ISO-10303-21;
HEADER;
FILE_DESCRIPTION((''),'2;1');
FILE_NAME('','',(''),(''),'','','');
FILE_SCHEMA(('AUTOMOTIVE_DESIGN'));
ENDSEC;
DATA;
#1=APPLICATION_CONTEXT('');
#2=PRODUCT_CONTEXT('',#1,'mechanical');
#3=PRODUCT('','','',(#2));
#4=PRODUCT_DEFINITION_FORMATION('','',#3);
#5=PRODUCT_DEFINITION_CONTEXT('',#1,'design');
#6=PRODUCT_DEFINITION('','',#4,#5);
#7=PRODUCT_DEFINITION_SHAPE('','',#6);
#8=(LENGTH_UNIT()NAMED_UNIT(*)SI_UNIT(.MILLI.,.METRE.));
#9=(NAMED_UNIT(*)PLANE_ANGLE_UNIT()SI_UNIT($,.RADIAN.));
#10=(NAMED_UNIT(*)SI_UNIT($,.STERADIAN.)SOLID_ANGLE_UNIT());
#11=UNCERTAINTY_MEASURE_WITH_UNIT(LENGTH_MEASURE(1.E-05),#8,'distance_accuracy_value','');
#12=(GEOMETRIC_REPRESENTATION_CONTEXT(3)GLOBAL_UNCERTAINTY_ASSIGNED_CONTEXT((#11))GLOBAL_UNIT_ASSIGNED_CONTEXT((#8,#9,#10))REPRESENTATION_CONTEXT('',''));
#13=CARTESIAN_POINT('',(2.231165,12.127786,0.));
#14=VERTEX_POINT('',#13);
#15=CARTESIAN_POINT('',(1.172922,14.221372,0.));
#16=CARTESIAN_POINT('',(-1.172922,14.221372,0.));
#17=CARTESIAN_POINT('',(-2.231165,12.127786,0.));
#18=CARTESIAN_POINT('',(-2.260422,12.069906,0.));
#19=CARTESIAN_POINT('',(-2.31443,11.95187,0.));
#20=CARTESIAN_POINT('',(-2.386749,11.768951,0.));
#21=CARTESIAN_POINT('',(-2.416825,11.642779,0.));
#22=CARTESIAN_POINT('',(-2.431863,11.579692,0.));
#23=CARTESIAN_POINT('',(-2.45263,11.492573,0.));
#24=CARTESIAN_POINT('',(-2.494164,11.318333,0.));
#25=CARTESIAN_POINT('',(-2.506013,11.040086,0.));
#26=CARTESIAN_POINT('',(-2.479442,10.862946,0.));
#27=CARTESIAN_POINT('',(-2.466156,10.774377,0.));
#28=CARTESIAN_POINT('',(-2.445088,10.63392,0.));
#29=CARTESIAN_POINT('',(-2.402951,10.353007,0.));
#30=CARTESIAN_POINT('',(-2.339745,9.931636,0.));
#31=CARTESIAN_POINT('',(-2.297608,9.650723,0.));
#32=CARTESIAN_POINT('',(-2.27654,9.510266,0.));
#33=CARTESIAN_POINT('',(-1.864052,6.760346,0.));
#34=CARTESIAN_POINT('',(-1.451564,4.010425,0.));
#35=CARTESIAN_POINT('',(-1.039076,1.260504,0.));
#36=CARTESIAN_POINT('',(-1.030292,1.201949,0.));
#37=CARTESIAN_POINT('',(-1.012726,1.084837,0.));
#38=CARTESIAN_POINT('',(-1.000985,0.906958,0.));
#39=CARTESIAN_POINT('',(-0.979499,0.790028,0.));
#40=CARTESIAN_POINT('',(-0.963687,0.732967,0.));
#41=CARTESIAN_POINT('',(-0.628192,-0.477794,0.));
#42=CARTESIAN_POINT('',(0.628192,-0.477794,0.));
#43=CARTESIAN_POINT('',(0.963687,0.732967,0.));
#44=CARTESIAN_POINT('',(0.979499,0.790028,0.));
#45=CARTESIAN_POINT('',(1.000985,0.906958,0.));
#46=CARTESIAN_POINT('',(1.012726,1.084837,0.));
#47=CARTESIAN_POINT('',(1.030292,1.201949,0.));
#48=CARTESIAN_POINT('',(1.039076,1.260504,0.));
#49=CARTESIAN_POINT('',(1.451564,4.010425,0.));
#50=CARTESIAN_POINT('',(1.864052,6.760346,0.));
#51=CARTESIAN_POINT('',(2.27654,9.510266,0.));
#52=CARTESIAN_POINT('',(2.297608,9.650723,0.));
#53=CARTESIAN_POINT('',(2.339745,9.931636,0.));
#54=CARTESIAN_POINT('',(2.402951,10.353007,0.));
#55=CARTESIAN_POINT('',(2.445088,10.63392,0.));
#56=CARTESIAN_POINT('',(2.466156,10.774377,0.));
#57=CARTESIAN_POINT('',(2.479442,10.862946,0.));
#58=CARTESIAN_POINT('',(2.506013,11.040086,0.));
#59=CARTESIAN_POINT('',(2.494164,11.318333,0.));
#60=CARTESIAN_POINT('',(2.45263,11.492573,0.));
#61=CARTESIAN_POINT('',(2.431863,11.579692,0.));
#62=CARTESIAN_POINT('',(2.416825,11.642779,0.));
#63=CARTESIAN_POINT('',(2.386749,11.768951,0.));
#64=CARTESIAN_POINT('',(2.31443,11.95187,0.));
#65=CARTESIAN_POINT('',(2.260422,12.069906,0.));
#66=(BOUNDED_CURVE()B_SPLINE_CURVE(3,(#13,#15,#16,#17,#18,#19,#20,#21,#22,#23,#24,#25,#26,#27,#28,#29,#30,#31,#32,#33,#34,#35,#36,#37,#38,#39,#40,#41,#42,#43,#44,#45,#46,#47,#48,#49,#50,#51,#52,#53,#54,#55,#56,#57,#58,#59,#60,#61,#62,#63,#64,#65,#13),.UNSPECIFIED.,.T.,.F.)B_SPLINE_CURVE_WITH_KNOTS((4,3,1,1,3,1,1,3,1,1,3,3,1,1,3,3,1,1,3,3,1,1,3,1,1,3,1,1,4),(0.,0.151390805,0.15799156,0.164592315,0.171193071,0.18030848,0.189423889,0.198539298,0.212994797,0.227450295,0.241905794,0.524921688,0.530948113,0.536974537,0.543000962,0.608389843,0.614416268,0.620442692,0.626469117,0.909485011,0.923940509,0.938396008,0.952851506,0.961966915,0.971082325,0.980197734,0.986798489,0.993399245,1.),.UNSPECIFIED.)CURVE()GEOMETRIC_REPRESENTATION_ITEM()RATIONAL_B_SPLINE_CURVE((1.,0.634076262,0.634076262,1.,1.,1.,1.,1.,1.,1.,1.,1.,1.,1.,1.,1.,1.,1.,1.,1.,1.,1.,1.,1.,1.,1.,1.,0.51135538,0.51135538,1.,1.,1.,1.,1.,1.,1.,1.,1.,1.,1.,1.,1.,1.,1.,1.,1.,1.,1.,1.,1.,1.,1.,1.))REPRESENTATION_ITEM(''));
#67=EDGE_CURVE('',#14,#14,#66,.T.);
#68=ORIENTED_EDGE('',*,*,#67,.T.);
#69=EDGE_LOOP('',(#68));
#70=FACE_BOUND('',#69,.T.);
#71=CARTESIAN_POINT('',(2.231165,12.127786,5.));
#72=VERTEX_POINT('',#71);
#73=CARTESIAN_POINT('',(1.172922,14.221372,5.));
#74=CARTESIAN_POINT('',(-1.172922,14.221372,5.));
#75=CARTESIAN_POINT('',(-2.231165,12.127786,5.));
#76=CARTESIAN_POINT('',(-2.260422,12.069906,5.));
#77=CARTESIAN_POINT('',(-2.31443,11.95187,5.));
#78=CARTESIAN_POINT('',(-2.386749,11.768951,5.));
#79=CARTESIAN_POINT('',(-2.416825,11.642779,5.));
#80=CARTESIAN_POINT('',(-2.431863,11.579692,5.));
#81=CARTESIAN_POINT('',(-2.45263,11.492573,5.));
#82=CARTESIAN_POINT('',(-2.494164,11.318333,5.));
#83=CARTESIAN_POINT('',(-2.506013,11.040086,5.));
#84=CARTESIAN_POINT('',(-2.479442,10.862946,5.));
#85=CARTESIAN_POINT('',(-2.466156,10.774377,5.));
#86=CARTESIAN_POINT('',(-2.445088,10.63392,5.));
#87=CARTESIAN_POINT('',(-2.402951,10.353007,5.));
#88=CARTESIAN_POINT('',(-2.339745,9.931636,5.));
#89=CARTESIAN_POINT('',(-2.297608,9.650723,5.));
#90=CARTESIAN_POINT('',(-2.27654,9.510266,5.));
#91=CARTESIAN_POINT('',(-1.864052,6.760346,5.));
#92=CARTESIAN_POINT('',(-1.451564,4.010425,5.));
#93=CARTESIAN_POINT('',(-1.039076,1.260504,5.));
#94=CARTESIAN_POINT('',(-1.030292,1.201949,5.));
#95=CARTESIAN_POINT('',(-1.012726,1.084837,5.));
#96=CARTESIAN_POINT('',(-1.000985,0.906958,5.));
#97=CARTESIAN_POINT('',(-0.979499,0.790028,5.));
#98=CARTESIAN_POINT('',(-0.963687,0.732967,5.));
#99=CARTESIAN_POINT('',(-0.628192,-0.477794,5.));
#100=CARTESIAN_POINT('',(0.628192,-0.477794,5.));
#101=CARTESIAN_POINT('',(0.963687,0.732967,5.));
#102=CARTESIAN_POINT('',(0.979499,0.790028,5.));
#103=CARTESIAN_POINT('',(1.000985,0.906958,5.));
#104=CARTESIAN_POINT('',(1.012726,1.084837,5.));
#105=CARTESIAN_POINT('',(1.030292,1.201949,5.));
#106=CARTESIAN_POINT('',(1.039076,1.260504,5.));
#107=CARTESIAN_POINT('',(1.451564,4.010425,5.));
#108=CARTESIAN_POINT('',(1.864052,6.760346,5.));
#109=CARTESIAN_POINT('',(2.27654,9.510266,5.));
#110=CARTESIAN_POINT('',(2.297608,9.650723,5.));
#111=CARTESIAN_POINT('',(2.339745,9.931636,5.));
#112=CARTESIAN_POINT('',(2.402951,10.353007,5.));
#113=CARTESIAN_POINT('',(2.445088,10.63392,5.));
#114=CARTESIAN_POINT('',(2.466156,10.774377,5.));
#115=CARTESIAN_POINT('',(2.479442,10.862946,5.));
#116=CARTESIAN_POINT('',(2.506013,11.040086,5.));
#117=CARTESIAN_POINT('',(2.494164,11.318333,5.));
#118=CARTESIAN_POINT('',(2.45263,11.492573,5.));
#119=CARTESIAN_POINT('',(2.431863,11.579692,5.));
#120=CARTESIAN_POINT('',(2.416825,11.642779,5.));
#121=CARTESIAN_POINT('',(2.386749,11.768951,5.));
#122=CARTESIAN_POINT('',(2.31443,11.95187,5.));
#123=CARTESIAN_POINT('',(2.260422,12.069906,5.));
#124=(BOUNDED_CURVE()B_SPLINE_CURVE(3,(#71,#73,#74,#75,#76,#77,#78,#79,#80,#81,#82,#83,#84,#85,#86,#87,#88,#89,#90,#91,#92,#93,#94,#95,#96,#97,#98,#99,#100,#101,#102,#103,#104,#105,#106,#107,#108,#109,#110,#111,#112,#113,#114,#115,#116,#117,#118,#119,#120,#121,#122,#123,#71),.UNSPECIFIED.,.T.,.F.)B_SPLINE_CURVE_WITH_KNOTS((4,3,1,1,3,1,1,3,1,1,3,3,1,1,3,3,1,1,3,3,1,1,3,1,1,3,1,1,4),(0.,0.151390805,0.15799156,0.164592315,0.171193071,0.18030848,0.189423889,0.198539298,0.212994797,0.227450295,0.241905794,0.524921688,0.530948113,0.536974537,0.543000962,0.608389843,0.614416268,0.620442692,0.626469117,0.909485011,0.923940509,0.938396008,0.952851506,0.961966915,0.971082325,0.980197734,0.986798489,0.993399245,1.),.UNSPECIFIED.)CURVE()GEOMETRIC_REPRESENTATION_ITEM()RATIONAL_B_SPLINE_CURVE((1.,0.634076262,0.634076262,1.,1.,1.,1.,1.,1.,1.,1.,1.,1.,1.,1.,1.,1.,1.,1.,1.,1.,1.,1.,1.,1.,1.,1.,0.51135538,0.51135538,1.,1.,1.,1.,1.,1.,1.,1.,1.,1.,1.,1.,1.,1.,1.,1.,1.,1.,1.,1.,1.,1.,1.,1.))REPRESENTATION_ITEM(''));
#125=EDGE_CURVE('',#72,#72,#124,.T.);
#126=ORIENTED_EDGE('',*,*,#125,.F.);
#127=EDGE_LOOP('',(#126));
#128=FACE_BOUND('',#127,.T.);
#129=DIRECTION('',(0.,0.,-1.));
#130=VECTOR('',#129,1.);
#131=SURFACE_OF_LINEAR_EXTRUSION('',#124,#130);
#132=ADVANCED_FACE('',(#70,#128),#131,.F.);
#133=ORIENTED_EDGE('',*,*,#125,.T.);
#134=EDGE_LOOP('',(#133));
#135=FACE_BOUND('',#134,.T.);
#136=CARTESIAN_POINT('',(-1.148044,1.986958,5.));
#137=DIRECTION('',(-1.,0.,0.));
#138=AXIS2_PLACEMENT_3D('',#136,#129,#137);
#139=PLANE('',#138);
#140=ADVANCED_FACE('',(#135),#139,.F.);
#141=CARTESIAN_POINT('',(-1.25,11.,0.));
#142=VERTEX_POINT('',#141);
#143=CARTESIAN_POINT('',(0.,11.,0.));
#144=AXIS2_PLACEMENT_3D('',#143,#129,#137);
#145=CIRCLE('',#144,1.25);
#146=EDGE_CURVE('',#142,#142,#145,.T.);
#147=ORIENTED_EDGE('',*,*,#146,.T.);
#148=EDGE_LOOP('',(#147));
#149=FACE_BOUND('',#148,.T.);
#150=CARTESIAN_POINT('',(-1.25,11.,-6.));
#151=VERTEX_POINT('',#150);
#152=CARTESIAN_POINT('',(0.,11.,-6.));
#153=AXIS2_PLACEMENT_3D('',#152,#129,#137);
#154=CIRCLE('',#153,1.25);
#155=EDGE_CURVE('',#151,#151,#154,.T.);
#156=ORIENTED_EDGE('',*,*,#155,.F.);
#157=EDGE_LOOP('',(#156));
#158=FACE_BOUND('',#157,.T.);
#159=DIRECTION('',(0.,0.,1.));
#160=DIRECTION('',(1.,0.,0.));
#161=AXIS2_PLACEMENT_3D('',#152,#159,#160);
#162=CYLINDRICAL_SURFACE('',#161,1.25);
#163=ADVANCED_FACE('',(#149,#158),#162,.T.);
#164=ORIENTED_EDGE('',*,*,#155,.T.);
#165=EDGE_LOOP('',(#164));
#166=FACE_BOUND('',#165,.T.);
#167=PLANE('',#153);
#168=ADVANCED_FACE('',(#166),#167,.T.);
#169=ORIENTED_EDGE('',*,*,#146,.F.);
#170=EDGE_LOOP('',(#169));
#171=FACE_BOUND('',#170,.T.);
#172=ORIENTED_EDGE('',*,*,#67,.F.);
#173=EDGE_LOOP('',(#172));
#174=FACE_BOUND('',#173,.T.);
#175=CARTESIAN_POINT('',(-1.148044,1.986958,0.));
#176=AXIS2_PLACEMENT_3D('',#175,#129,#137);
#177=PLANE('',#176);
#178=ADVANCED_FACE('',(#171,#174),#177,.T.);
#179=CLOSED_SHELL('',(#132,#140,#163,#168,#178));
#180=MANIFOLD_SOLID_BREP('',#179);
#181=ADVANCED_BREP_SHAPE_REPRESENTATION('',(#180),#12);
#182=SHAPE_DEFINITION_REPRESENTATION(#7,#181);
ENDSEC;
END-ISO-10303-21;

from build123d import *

# Parameters (mm, degrees)
BOSS_EXTRUDE1_DEPTH = 5
SKETCH2_R           = 1.25
BOSS_EXTRUDE2_DEPTH = 6


with BuildPart() as part:
    # Sketch1 → Boss-Extrude1 (new body)
    with BuildSketch(Plane.XY):
        with BuildLine():
            add(Edge.make_bspline(
                [(2.231165341, 12.127785983), (1.172921657, 14.221371702), (-1.172921657, 14.221371702), (-2.231165341, 12.127785983), (-2.26042177, 12.069906268), (-2.314430173, 11.951869974), (-2.386748573, 11.768950746), (-2.416824724, 11.642778542), (-2.4318628, 11.579692439), (-2.452629849, 11.492572768), (-2.494163948, 11.318333424), (-2.506012881, 11.040085874), (-2.47944195, 10.862946336), (-2.466156485, 10.774376568), (-2.445087982, 10.633919883), (-2.402950977, 10.353006512), (-2.339745469, 9.931636457), (-2.297608463, 9.650723087), (-2.27653996, 9.510266402), (-1.864051859, 6.760345727), (-1.451563758, 4.010425052), (-1.039075657, 1.260504377), (-1.030292304, 1.201948693), (-1.012725599, 1.084837324), (-1.000985249, 0.906957534), (-0.9794986, 0.790027603), (-0.963687366, 0.73296693), (-0.628191537, -0.477793565), (0.628191537, -0.477793565), (0.963687366, 0.73296693), (0.9794986, 0.790027603), (1.000985249, 0.906957534), (1.012725599, 1.084837324), (1.030292304, 1.201948693), (1.039075657, 1.260504377), (1.451563758, 4.010425052), (1.864051859, 6.760345727), (2.27653996, 9.510266402), (2.297608463, 9.650723087), (2.339745469, 9.931636457), (2.402950977, 10.353006512), (2.445087982, 10.633919883), (2.466156485, 10.774376568), (2.47944195, 10.862946336), (2.506012881, 11.040085874), (2.494163948, 11.318333424), (2.452629849, 11.492572768), (2.4318628, 11.579692439), (2.416824724, 11.642778542), (2.386748573, 11.768950746), (2.314430173, 11.951869974), (2.26042177, 12.069906268), (2.231165341, 12.127785983)],
                knots=[0, 0, 0, 0, 0.151390805, 0.151390805, 0.151390805, 0.15799156, 0.164592315, 0.171193071, 0.171193071, 0.171193071, 0.18030848, 0.189423889, 0.198539298, 0.198539298, 0.198539298, 0.212994797, 0.227450295, 0.241905794, 0.241905794, 0.241905794, 0.524921688, 0.524921688, 0.524921688, 0.530948113, 0.536974537, 0.543000962, 0.543000962, 0.543000962, 0.608389843, 0.608389843, 0.608389843, 0.614416268, 0.620442692, 0.626469117, 0.626469117, 0.626469117, 0.909485011, 0.909485011, 0.909485011, 0.923940509, 0.938396008, 0.952851506, 0.952851506, 0.952851506, 0.961966915, 0.971082325, 0.980197734, 0.980197734, 0.980197734, 0.986798489, 0.993399245, 1, 1, 1, 1], degree=3, weights=[1, 0.634076262, 0.634076262, 1, 1, 1, 1, 1, 1, 1, 1, 1, 1, 1, 1, 1, 1, 1, 1, 1, 1, 1, 1, 1, 1, 1, 1, 0.51135538, 0.51135538, 1, 1, 1, 1, 1, 1, 1, 1, 1, 1, 1, 1, 1, 1, 1, 1, 1, 1, 1, 1, 1, 1, 1, 1]))
        make_face()
    extrude(amount=BOSS_EXTRUDE1_DEPTH)

    # Sketch2 → Boss-Extrude2 (add)
    with BuildSketch(Plane(origin=(0, 0, 0), x_dir=(-1, 0, 0), z_dir=(0, 0, -1))):
        with Locations((0, 11)):
            Circle(SKETCH2_R)
    extrude(amount=BOSS_EXTRUDE2_DEPTH)


solid = part.part
